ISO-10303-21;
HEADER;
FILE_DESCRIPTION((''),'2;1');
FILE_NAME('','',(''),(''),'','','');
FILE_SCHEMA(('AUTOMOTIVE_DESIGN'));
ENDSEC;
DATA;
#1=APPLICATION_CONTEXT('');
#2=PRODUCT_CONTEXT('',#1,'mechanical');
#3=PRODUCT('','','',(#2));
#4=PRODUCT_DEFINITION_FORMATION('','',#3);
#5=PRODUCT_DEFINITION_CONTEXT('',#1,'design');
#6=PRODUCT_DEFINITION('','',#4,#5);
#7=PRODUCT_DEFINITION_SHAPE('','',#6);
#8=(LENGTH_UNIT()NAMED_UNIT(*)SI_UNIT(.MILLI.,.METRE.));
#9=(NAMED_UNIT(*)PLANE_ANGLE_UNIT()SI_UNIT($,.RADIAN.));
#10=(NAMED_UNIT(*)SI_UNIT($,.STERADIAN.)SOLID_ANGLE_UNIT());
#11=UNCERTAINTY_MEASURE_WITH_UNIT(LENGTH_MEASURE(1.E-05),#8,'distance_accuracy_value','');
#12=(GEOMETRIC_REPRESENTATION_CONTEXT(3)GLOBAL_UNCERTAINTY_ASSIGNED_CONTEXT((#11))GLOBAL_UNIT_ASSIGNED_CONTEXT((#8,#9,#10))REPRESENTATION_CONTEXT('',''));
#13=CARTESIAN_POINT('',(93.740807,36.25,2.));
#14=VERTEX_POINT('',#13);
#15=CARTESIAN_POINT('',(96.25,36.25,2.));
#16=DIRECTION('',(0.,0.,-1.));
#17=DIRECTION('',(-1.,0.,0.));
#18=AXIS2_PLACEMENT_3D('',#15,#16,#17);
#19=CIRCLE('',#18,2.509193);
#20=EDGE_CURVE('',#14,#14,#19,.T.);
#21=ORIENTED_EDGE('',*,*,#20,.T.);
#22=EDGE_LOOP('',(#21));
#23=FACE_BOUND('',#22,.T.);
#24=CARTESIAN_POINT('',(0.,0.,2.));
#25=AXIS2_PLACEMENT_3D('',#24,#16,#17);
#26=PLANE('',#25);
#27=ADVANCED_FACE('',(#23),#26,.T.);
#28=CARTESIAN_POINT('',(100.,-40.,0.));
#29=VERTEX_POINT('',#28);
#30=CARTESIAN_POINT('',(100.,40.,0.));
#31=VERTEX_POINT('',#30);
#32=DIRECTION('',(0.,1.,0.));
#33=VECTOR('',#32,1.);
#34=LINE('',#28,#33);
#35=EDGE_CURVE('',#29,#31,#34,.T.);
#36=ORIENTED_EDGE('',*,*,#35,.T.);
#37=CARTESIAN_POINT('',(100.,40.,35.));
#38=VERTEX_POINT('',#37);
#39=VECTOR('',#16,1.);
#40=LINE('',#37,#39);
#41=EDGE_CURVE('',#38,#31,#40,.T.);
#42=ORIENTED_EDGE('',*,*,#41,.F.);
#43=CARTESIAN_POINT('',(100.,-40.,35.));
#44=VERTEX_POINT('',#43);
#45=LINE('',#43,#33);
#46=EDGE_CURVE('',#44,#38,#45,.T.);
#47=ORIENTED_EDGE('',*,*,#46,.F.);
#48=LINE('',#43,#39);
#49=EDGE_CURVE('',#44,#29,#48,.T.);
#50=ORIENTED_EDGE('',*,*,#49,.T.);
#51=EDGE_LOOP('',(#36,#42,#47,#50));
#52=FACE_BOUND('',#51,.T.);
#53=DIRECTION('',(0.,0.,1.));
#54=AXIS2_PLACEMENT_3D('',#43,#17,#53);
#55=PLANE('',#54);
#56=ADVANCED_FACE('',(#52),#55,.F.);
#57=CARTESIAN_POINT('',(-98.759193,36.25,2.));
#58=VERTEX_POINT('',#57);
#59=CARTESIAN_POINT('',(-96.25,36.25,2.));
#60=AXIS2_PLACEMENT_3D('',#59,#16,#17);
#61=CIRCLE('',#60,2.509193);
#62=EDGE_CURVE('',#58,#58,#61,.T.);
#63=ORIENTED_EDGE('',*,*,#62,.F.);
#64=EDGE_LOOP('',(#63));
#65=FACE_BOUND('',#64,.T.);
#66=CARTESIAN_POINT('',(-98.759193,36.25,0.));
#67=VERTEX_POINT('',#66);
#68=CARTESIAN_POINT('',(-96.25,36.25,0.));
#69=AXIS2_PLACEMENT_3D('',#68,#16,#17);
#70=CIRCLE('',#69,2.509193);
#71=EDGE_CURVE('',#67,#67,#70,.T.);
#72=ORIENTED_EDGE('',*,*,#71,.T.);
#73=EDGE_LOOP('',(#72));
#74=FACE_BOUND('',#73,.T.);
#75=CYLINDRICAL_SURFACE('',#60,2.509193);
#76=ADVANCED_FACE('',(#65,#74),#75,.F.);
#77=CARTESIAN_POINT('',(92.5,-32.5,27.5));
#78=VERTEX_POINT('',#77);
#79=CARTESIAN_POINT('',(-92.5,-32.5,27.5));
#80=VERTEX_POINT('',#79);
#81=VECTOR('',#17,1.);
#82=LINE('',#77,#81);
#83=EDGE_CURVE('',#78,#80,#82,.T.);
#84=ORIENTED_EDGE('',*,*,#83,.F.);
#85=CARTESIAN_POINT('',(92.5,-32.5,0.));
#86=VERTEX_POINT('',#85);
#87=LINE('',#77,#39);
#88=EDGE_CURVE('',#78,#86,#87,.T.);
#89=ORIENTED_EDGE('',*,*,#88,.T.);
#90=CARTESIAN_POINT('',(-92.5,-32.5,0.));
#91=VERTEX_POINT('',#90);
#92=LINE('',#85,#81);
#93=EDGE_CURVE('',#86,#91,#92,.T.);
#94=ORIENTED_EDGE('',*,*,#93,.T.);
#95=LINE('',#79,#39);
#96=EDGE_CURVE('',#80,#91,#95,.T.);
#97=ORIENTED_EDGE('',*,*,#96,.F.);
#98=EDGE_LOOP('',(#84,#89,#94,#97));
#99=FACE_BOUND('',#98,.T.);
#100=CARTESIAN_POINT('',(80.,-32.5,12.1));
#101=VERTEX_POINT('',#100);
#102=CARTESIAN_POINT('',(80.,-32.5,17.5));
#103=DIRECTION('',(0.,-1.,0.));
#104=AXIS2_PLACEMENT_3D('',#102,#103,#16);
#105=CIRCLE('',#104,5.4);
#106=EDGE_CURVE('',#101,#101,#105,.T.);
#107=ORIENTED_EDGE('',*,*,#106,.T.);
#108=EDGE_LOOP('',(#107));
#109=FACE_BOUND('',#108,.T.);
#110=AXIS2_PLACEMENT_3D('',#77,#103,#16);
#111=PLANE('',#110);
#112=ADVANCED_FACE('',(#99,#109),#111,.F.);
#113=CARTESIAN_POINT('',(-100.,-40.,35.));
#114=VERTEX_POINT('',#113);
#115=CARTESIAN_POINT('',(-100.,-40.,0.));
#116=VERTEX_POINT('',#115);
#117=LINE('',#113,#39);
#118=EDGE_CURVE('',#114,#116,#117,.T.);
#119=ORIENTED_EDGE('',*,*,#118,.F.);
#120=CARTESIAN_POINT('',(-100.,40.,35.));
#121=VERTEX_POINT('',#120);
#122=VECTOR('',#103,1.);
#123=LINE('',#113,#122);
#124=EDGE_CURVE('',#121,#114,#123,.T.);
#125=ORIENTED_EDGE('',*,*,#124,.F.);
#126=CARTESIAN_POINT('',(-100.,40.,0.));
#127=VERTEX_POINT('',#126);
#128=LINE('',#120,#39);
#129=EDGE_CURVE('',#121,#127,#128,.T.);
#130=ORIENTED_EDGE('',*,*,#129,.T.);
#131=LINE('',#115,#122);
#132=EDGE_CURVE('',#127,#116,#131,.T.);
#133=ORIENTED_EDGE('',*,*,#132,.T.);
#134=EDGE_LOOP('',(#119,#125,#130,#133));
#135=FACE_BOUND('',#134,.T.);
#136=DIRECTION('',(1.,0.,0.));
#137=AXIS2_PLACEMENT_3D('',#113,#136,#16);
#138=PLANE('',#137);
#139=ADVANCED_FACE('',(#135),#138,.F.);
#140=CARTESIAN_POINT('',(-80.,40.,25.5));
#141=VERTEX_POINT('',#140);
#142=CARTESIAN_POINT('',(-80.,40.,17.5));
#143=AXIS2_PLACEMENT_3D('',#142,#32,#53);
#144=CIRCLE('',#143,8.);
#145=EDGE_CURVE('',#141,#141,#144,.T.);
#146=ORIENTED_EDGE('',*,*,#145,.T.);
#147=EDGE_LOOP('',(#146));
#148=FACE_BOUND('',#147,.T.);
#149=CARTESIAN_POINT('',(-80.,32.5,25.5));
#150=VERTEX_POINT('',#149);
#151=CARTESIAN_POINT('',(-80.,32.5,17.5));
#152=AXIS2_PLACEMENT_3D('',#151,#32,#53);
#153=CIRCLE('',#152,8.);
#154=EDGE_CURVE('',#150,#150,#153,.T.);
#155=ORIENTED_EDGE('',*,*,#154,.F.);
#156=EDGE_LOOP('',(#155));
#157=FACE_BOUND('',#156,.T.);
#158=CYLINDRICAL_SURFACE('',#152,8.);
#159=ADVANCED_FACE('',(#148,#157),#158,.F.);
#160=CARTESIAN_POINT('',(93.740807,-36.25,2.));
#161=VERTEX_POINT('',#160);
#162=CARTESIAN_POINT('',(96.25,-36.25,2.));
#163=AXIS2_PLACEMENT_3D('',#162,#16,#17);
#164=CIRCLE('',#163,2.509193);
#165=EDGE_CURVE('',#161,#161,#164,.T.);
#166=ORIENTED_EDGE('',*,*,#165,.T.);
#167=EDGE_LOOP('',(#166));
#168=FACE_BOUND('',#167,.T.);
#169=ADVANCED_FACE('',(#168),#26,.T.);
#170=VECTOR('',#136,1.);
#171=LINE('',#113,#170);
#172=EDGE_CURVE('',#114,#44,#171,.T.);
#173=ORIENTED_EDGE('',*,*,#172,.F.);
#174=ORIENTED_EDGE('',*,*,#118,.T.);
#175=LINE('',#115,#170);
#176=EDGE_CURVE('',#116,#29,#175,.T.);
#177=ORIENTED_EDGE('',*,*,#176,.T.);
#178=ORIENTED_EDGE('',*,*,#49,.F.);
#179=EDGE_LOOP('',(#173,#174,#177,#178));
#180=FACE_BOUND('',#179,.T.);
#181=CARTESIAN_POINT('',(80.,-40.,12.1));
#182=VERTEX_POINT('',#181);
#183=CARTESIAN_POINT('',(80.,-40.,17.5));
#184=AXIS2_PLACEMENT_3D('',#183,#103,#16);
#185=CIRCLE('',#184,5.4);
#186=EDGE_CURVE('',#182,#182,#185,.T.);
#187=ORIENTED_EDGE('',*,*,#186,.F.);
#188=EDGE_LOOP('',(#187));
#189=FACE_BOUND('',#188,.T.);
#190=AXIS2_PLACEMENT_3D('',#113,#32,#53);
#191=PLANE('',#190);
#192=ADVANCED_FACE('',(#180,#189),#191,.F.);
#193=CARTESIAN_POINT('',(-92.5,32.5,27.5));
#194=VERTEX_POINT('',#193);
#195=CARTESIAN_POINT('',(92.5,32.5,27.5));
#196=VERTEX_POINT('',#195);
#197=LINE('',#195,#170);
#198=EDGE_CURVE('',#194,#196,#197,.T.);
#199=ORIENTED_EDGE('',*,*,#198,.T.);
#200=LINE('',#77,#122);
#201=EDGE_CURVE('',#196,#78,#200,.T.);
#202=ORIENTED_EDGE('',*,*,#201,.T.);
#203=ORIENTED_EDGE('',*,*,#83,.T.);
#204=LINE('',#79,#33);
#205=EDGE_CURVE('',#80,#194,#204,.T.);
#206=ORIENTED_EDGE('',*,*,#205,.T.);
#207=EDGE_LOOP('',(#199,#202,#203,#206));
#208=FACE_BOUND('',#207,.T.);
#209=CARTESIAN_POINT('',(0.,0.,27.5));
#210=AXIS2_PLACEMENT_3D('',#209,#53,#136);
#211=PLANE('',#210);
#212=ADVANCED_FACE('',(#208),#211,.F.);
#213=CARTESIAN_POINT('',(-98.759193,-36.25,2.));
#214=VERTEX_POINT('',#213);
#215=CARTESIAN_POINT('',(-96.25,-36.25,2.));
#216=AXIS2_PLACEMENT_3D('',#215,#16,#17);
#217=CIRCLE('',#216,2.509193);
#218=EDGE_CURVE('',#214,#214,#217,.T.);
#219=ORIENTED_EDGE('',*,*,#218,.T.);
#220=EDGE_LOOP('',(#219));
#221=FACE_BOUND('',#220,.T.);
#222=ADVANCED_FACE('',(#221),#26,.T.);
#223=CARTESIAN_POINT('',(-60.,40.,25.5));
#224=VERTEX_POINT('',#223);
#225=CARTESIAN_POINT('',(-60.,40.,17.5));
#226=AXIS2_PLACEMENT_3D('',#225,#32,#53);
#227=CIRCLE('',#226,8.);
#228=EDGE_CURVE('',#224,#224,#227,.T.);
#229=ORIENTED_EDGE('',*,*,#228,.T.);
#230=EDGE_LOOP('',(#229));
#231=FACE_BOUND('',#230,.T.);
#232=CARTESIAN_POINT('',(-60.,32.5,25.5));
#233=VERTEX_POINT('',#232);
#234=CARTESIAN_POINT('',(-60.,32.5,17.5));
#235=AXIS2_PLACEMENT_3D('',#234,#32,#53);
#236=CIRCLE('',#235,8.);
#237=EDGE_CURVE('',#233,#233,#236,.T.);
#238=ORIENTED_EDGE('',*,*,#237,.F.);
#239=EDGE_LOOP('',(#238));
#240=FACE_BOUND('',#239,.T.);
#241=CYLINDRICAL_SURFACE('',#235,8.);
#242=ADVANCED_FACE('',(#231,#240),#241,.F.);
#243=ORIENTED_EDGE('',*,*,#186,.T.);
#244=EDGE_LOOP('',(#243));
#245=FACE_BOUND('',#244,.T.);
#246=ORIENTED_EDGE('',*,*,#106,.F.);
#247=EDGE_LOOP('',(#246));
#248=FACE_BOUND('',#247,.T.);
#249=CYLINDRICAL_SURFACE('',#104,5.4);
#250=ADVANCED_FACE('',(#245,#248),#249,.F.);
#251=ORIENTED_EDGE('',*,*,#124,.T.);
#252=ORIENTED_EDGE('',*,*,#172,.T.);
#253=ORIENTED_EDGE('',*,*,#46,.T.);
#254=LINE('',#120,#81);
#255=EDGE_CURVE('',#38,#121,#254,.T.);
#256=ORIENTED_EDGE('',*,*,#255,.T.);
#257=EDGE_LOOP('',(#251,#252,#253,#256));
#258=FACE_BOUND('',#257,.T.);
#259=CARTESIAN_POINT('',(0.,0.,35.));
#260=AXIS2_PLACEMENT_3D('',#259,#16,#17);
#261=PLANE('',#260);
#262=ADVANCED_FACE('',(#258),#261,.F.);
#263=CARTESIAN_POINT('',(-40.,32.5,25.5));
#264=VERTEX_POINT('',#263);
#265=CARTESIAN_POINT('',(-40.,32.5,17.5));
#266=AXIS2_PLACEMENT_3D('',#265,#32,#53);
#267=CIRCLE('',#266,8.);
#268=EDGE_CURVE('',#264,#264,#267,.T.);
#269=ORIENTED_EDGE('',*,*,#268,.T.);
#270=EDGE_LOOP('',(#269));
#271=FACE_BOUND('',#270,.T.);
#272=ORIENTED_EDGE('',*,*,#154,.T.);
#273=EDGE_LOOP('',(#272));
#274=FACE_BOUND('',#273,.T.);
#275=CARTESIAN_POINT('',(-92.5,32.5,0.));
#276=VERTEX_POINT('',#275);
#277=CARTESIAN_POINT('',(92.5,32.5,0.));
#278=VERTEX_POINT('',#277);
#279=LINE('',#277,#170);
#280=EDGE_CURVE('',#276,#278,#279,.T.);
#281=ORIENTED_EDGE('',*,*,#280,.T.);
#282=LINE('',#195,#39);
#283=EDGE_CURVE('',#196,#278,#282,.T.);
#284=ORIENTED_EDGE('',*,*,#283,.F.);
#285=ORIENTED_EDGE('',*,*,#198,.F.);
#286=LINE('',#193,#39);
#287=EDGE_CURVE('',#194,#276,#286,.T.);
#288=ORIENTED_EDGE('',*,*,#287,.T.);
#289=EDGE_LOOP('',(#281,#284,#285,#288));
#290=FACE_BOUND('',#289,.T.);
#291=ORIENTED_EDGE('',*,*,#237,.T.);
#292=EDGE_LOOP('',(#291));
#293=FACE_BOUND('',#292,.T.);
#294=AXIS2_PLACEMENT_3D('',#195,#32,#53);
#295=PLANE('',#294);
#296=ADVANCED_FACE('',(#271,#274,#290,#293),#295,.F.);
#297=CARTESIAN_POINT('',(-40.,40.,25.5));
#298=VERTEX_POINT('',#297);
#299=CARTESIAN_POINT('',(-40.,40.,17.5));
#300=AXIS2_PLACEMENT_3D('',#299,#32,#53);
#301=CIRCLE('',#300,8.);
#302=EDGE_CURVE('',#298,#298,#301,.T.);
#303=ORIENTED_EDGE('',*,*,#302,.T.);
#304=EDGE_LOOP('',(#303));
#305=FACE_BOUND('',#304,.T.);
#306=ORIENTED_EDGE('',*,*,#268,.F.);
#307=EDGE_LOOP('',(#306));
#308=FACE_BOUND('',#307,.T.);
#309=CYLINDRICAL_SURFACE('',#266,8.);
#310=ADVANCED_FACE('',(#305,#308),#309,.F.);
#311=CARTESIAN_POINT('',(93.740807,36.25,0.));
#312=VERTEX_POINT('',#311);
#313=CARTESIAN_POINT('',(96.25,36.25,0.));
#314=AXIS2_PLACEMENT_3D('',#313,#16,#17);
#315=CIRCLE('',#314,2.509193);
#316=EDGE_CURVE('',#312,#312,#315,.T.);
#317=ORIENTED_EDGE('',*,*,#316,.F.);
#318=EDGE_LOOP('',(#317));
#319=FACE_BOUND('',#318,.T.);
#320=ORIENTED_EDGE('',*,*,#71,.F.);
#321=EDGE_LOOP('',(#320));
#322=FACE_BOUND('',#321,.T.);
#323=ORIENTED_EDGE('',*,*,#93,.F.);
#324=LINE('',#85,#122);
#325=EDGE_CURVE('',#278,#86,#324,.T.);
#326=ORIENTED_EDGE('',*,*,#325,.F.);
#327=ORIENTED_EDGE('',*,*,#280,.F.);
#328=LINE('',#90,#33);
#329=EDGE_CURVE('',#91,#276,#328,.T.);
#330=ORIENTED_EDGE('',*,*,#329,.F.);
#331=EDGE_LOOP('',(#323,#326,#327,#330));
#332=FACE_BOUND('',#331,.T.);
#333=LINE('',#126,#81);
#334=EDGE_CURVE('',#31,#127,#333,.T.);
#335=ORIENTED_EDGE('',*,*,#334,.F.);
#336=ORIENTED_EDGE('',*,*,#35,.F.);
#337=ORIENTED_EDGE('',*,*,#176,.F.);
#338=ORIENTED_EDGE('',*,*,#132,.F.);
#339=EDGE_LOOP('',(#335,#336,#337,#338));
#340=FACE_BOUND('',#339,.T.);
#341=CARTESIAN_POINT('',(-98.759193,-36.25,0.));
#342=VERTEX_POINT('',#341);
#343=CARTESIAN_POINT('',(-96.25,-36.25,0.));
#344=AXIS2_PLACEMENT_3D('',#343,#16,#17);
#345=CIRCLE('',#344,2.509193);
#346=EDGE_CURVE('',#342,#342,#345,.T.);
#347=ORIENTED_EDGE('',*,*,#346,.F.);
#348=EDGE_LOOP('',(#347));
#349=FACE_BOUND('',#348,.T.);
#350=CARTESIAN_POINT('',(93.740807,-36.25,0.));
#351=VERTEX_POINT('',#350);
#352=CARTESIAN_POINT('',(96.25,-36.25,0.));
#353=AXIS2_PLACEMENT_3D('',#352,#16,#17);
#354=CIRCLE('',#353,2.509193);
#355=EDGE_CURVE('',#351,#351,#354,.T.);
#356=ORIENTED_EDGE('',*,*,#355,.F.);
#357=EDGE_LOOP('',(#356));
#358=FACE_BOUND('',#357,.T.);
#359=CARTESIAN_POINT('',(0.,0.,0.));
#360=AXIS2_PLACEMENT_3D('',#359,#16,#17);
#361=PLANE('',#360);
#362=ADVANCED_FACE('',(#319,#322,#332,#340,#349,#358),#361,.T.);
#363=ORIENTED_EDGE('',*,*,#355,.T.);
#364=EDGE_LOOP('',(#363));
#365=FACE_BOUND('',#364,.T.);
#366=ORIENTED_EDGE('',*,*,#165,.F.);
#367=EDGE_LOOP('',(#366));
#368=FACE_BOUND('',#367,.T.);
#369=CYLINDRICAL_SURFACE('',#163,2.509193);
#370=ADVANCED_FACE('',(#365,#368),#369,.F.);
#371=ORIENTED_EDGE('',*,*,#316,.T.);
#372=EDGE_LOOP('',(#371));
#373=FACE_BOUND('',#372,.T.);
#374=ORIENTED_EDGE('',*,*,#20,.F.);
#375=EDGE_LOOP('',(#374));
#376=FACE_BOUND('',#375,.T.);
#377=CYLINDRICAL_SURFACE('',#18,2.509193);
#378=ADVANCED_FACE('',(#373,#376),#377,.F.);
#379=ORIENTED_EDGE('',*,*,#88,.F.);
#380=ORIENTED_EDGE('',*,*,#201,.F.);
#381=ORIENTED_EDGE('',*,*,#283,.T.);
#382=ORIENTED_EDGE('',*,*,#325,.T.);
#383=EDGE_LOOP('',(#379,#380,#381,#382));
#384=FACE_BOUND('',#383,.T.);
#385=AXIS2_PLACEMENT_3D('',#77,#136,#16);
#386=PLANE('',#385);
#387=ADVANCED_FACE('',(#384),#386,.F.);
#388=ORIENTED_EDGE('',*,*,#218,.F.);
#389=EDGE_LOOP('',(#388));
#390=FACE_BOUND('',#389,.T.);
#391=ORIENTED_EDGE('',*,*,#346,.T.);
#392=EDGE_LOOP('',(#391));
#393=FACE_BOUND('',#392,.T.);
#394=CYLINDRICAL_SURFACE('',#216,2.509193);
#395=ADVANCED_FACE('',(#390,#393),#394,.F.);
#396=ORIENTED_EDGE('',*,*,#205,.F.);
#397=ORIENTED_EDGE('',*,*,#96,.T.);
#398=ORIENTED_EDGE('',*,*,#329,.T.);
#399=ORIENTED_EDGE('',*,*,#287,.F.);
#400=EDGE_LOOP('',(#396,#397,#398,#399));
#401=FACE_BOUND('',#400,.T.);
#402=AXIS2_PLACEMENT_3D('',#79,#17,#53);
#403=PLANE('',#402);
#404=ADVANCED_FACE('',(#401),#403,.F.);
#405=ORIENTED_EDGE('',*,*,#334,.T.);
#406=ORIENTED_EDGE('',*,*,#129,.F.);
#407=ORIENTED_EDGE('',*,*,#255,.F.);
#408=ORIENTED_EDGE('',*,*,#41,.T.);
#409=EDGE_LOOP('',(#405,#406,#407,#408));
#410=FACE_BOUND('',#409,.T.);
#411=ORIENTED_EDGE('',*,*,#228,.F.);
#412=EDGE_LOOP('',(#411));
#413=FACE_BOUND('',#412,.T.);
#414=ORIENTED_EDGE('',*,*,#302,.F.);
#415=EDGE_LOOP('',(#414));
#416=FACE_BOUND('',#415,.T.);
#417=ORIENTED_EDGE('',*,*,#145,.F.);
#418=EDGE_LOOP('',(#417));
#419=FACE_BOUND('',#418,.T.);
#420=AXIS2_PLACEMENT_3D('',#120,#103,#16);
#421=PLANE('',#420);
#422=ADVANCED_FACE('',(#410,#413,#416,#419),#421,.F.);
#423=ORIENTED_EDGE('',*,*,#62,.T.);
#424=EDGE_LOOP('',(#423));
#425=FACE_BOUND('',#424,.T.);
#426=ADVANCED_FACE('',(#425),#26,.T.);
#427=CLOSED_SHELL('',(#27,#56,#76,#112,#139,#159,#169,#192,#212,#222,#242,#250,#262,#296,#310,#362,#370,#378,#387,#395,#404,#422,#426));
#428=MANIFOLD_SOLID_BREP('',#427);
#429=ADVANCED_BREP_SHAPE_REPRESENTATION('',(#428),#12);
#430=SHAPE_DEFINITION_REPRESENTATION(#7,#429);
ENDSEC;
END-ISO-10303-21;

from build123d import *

# Parameters (mm, degrees)
CROQUIS1_W              = 200
CROQUIS1_H              = 80
SALIENTE_EXTRUIR1_DEPTH = 35
CROQUIS2_W              = 185
CROQUIS2_H              = 65
CORTAR_EXTRUIR1_DEPTH   = 27.5
CROQUIS3_R              = 8
CORTAR_EXTRUIR2_DEPTH   = 7.5
CROQUIS4_R              = 5.4
CORTAR_EXTRUIR3_DEPTH   = 7.5
CROQUIS5_R              = 2.50919292
CORTAR_EXTRUIR4_DEPTH   = 2


with BuildPart() as part:
    # Croquis1 → Saliente-Extruir1 (new body)
    with BuildSketch(Plane.XY):
        Rectangle(CROQUIS1_W, CROQUIS1_H)
    extrude(amount=SALIENTE_EXTRUIR1_DEPTH)

    # Croquis2 → Cortar-Extruir1 (cut)
    with BuildSketch(Plane(origin=(0, 0, 0), x_dir=(-1, 0, 0), z_dir=(0, 0, -1))):
        Rectangle(CROQUIS2_W, CROQUIS2_H)
    extrude(amount=-CORTAR_EXTRUIR1_DEPTH, mode=Mode.SUBTRACT)

    # Croquis3 → Cortar-Extruir2 (cut)
    with BuildSketch(Plane(origin=(0, 40, 0), x_dir=(1, 0, 0), z_dir=(0, 1, 0))):
        with Locations(Location((-80, -17.5, 0), (0, 0, 270))):
            Circle(CROQUIS3_R)
        with Locations(Location((-60, -17.5, 0), (0, 0, 270))):
            Circle(CROQUIS3_R)
        with Locations(Location((-40, -17.5, 0), (0, 0, 270))):
            Circle(CROQUIS3_R)
    extrude(amount=-CORTAR_EXTRUIR2_DEPTH, mode=Mode.SUBTRACT)

    # Croquis4 → Cortar-Extruir3 (cut)
    with BuildSketch(Plane.XZ.offset(40)):
        with Locations(Location((80, 17.5, 0), (0, 0, 270))):
            Circle(CROQUIS4_R)
    extrude(amount=-CORTAR_EXTRUIR3_DEPTH, mode=Mode.SUBTRACT)

    # Croquis5 → Cortar-Extruir4 (cut)
    with BuildSketch(Plane(origin=(0, 0, 0), x_dir=(-1, 0, 0), z_dir=(0, 0, -1))):
        with Locations((96.25, -36.25)):
            Circle(CROQUIS5_R)
        with Locations((96.25, 36.25)):
            Circle(CROQUIS5_R)
        with Locations((-96.25, 36.25)):
            Circle(CROQUIS5_R)
        with Locations((-96.25, -36.25)):
            Circle(CROQUIS5_R)
    extrude(amount=-CORTAR_EXTRUIR4_DEPTH, mode=Mode.SUBTRACT)


solid = part.part
